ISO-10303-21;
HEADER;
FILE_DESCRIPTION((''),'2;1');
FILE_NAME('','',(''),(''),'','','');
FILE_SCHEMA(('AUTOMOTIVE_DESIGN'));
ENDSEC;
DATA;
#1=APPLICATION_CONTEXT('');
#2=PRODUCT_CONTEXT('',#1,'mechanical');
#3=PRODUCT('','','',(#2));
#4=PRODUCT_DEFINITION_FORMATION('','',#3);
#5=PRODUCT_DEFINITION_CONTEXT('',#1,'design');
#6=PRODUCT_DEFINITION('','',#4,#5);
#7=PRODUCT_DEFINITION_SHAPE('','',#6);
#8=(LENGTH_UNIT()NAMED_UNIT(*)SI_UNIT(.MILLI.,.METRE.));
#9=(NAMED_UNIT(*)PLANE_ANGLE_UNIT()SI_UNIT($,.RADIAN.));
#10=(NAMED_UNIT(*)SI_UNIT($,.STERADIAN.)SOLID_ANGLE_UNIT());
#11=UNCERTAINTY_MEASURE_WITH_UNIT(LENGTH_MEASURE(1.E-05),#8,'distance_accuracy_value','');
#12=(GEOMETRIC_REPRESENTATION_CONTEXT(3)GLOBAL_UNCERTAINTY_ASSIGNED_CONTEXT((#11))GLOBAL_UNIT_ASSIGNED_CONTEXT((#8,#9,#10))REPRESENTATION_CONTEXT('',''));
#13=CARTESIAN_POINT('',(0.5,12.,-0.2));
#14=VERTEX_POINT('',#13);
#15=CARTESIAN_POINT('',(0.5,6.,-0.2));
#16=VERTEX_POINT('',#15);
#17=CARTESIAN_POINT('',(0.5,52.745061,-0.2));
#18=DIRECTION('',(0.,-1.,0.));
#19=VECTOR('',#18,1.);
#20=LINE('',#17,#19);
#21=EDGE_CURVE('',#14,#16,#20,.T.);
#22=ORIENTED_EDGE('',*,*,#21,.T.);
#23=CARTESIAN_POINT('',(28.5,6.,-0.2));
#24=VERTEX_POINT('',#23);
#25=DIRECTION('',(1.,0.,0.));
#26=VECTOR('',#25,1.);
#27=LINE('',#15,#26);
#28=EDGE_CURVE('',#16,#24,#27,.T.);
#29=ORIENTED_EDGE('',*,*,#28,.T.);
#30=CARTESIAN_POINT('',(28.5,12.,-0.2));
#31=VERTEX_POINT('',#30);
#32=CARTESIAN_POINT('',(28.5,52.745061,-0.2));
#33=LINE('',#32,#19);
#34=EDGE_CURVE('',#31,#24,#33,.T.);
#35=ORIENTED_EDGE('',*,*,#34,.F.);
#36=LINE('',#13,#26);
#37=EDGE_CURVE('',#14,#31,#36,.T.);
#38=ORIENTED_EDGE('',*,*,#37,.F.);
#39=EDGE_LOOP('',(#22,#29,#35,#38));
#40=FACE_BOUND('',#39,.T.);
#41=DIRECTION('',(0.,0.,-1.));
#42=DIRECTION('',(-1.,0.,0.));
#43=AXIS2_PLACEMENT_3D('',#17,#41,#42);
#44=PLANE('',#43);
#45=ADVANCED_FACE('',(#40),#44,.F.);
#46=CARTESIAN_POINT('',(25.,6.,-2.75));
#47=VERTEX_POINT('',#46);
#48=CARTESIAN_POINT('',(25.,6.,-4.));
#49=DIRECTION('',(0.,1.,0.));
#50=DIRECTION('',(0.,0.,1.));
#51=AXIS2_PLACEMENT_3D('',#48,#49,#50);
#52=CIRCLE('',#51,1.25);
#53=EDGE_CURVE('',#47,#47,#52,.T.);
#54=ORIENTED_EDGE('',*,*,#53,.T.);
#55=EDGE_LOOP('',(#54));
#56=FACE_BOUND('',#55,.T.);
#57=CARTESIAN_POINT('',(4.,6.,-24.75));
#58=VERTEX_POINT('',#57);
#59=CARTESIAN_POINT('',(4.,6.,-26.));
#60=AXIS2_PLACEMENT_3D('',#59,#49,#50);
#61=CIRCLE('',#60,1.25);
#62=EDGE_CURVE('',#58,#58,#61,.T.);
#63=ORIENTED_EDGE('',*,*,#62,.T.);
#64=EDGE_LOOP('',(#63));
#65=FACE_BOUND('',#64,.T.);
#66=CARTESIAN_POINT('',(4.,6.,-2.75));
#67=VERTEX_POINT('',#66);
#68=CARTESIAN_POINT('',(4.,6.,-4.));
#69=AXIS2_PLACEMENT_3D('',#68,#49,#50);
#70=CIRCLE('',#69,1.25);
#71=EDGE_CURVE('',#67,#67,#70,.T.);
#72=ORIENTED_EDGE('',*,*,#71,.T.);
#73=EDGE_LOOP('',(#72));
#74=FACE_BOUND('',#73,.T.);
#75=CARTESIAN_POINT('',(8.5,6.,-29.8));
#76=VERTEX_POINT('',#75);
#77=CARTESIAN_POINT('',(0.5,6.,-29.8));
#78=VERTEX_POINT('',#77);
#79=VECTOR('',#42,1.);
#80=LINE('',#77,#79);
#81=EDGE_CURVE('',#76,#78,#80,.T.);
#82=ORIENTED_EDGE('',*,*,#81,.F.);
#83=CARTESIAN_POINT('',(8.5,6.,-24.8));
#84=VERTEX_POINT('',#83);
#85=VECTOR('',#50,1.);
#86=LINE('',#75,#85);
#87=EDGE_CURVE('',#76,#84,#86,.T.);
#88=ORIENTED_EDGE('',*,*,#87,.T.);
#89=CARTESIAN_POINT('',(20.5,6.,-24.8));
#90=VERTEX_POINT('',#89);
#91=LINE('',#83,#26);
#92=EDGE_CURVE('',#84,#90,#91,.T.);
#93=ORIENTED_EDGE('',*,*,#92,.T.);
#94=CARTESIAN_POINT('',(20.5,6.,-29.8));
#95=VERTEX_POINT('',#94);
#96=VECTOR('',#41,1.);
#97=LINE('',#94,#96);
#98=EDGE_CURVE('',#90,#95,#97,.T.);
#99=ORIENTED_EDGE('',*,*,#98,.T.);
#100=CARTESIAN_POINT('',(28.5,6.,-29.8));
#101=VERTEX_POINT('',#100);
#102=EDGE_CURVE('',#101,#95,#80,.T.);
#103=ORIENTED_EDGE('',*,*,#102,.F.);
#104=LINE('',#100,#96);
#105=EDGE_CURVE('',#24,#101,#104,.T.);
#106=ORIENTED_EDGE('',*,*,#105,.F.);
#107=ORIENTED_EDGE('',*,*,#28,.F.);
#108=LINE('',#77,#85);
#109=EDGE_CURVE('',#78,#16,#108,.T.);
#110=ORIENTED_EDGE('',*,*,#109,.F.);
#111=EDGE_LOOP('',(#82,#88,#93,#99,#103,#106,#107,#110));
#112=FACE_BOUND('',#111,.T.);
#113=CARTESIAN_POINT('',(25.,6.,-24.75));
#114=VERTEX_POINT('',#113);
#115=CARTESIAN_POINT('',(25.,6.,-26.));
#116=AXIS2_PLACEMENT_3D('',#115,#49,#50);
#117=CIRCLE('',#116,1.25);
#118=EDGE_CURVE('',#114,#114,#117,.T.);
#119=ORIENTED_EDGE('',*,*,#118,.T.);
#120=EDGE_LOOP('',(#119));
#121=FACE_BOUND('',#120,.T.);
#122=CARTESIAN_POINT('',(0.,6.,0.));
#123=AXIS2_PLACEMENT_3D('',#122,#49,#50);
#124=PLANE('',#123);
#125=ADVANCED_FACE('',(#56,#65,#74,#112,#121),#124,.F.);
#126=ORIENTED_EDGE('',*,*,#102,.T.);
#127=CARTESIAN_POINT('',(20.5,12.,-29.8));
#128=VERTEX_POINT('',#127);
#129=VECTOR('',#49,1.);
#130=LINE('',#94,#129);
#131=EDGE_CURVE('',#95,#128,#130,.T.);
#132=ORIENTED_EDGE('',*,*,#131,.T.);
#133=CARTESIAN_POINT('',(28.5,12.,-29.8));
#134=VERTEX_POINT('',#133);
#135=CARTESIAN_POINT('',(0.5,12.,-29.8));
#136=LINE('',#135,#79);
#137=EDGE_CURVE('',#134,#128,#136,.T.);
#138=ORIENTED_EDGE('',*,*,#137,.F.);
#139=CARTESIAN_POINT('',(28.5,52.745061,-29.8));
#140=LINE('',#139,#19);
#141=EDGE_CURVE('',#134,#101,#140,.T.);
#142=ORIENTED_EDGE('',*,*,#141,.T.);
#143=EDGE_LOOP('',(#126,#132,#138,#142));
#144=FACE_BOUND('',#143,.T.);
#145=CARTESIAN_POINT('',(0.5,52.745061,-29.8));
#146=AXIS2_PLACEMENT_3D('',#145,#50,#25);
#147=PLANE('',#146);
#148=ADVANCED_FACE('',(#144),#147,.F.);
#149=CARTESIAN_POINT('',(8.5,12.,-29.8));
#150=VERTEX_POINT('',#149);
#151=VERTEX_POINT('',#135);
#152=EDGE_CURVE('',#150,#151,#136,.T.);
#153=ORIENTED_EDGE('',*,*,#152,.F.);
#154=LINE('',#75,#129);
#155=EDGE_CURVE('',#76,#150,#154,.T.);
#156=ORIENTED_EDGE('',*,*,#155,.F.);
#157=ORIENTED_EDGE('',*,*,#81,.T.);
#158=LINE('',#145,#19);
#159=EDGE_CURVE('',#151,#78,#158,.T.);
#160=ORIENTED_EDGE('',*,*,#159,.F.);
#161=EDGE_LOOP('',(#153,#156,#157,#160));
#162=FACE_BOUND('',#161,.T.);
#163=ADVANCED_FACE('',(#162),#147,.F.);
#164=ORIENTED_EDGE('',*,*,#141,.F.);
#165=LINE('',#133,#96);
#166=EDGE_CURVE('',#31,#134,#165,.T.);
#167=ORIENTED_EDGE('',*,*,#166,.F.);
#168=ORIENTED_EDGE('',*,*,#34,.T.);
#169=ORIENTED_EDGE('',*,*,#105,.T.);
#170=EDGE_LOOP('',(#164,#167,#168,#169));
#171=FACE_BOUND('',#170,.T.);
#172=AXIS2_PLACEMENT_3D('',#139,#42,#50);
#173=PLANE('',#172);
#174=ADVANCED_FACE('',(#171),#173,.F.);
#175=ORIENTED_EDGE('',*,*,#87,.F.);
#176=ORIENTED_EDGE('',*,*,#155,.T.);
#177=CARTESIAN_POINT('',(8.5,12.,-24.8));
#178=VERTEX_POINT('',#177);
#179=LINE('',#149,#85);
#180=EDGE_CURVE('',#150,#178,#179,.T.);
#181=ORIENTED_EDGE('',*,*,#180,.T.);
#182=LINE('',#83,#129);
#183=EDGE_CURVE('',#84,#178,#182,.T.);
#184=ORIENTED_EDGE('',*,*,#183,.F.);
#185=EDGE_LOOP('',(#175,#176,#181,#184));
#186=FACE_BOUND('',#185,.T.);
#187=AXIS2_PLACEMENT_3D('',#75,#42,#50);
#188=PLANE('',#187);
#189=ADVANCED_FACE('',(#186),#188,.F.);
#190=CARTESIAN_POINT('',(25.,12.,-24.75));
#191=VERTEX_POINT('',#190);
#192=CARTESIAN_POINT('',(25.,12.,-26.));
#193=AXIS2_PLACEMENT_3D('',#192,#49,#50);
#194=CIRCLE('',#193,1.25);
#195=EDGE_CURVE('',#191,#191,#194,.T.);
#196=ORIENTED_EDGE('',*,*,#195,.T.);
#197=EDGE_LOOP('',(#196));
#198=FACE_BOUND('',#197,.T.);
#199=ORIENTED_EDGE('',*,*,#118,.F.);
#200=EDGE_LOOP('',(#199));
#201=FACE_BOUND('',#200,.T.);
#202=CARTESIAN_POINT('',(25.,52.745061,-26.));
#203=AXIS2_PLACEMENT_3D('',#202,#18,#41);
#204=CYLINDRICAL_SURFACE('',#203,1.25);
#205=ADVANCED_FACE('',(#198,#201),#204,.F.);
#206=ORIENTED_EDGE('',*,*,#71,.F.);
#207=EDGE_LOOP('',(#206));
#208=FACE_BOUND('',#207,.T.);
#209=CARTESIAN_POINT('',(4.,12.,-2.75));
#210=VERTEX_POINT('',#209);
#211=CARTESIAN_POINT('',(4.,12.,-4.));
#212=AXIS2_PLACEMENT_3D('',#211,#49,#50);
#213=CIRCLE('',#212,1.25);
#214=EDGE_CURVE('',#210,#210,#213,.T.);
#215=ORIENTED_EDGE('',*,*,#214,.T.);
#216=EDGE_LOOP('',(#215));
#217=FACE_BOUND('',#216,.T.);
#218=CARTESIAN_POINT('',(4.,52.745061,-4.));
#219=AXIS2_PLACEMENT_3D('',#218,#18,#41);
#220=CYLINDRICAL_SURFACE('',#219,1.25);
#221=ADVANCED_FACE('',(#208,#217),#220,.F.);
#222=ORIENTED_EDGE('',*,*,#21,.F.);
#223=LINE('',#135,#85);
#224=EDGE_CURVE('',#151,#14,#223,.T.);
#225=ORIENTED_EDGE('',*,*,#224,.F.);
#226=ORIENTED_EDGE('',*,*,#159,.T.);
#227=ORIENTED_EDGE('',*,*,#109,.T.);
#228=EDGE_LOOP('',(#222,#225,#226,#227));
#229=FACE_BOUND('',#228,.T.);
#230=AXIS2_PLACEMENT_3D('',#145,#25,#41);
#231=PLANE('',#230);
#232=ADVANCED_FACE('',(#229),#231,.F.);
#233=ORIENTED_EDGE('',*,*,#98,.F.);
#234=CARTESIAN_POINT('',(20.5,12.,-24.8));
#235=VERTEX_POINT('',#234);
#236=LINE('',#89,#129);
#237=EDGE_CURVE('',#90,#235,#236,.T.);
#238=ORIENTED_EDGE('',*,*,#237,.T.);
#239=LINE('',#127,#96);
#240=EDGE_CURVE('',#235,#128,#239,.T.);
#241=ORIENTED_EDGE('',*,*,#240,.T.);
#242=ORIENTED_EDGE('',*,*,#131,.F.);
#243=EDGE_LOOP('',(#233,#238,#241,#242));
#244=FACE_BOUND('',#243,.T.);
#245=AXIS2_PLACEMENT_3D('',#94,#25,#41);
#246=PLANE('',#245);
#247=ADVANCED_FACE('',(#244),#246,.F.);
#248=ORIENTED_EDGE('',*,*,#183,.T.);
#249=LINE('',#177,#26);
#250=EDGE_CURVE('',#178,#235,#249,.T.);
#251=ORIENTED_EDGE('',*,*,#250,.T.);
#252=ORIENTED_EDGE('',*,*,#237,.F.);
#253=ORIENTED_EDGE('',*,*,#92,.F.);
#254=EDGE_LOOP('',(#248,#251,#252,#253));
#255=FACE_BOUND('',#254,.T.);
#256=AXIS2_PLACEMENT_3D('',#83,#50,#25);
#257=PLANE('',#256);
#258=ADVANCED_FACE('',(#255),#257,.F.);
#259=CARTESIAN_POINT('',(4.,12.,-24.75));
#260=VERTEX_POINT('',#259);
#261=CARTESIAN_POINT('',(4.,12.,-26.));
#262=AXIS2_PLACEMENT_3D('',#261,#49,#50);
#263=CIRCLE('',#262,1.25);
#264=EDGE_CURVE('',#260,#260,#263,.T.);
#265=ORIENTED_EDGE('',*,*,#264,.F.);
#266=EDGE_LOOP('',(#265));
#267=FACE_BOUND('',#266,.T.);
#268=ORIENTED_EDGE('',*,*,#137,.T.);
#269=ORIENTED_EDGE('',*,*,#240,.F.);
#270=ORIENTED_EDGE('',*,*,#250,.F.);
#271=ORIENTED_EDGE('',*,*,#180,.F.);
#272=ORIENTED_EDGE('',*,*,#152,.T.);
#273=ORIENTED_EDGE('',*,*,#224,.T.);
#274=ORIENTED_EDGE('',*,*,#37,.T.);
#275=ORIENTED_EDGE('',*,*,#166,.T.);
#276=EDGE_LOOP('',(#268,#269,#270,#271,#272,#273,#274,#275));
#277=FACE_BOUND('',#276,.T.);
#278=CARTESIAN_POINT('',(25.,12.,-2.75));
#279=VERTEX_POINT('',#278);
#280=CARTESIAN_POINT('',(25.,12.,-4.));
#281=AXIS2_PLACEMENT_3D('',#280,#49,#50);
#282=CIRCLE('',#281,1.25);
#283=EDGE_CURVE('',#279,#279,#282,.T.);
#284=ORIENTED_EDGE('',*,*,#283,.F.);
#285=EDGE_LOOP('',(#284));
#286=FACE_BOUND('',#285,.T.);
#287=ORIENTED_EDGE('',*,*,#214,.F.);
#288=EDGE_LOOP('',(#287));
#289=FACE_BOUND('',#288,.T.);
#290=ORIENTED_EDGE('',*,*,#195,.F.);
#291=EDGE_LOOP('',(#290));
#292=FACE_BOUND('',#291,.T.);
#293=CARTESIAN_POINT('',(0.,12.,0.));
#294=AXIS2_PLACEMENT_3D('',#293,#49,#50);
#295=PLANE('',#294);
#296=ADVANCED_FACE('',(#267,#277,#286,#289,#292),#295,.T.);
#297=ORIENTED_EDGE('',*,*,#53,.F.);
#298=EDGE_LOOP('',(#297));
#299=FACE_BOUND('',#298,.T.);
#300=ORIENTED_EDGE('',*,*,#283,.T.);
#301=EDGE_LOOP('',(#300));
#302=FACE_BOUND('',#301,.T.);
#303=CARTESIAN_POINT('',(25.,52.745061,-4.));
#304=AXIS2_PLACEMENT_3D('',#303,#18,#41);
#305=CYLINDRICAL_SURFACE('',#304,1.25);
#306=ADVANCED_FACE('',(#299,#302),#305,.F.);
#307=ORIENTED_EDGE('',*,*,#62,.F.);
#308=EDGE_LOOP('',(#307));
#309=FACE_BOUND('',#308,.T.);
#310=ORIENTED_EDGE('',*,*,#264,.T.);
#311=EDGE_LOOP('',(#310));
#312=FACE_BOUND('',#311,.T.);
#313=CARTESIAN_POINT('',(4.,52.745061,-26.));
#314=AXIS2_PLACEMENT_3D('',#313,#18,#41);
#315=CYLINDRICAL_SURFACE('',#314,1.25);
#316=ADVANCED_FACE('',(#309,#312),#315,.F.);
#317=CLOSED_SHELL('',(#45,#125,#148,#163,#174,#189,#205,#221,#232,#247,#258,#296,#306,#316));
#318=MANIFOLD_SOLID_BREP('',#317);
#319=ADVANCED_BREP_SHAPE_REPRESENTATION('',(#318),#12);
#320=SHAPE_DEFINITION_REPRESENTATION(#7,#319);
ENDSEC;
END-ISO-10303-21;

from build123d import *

# Parameters (mm, degrees)
SKETCH_2_W          = 28
SKETCH_2_H          = 29.6
SKETCH_2_R          = 1.25
EXTRUDE_1_DEPTH     = 6
SKETCH_3_W          = 12
SKETCH_3_H          = 5
CUT_EXTRUDE_2_DEPTH = 42.668813278


with BuildPart() as part:
    # 草图2 → 凸台-拉伸1 (new body)
    with BuildSketch(Plane(origin=(0, 6, 0), x_dir=(1, 0, 0), z_dir=(0, 1, 0))):
        with Locations((14.5, 15)):
            Rectangle(SKETCH_2_W, SKETCH_2_H)
        with Locations(Location((4, 26, 0), (0, 0, 270))):
            Circle(SKETCH_2_R, mode=Mode.SUBTRACT)
        with Locations(Location((25, 26, 0), (0, 0, 270))):
            Circle(SKETCH_2_R, mode=Mode.SUBTRACT)
        with Locations(Location((4, 4, 0), (0, 0, 270))):
            Circle(SKETCH_2_R, mode=Mode.SUBTRACT)
        with Locations(Location((25, 4, 0), (0, 0, 270))):
            Circle(SKETCH_2_R, mode=Mode.SUBTRACT)
    extrude(amount=EXTRUDE_1_DEPTH)

    # 草图3 → 切除-拉伸2 (cut, through all)
    with BuildSketch(Plane(origin=(0, 12, 0), x_dir=(1, 0, 0), z_dir=(0, 1, 0))):
        with Locations((14.5, 27.3)):
            Rectangle(SKETCH_3_W, SKETCH_3_H)
    extrude(amount=-CUT_EXTRUDE_2_DEPTH, mode=Mode.SUBTRACT)


solid = part.part
